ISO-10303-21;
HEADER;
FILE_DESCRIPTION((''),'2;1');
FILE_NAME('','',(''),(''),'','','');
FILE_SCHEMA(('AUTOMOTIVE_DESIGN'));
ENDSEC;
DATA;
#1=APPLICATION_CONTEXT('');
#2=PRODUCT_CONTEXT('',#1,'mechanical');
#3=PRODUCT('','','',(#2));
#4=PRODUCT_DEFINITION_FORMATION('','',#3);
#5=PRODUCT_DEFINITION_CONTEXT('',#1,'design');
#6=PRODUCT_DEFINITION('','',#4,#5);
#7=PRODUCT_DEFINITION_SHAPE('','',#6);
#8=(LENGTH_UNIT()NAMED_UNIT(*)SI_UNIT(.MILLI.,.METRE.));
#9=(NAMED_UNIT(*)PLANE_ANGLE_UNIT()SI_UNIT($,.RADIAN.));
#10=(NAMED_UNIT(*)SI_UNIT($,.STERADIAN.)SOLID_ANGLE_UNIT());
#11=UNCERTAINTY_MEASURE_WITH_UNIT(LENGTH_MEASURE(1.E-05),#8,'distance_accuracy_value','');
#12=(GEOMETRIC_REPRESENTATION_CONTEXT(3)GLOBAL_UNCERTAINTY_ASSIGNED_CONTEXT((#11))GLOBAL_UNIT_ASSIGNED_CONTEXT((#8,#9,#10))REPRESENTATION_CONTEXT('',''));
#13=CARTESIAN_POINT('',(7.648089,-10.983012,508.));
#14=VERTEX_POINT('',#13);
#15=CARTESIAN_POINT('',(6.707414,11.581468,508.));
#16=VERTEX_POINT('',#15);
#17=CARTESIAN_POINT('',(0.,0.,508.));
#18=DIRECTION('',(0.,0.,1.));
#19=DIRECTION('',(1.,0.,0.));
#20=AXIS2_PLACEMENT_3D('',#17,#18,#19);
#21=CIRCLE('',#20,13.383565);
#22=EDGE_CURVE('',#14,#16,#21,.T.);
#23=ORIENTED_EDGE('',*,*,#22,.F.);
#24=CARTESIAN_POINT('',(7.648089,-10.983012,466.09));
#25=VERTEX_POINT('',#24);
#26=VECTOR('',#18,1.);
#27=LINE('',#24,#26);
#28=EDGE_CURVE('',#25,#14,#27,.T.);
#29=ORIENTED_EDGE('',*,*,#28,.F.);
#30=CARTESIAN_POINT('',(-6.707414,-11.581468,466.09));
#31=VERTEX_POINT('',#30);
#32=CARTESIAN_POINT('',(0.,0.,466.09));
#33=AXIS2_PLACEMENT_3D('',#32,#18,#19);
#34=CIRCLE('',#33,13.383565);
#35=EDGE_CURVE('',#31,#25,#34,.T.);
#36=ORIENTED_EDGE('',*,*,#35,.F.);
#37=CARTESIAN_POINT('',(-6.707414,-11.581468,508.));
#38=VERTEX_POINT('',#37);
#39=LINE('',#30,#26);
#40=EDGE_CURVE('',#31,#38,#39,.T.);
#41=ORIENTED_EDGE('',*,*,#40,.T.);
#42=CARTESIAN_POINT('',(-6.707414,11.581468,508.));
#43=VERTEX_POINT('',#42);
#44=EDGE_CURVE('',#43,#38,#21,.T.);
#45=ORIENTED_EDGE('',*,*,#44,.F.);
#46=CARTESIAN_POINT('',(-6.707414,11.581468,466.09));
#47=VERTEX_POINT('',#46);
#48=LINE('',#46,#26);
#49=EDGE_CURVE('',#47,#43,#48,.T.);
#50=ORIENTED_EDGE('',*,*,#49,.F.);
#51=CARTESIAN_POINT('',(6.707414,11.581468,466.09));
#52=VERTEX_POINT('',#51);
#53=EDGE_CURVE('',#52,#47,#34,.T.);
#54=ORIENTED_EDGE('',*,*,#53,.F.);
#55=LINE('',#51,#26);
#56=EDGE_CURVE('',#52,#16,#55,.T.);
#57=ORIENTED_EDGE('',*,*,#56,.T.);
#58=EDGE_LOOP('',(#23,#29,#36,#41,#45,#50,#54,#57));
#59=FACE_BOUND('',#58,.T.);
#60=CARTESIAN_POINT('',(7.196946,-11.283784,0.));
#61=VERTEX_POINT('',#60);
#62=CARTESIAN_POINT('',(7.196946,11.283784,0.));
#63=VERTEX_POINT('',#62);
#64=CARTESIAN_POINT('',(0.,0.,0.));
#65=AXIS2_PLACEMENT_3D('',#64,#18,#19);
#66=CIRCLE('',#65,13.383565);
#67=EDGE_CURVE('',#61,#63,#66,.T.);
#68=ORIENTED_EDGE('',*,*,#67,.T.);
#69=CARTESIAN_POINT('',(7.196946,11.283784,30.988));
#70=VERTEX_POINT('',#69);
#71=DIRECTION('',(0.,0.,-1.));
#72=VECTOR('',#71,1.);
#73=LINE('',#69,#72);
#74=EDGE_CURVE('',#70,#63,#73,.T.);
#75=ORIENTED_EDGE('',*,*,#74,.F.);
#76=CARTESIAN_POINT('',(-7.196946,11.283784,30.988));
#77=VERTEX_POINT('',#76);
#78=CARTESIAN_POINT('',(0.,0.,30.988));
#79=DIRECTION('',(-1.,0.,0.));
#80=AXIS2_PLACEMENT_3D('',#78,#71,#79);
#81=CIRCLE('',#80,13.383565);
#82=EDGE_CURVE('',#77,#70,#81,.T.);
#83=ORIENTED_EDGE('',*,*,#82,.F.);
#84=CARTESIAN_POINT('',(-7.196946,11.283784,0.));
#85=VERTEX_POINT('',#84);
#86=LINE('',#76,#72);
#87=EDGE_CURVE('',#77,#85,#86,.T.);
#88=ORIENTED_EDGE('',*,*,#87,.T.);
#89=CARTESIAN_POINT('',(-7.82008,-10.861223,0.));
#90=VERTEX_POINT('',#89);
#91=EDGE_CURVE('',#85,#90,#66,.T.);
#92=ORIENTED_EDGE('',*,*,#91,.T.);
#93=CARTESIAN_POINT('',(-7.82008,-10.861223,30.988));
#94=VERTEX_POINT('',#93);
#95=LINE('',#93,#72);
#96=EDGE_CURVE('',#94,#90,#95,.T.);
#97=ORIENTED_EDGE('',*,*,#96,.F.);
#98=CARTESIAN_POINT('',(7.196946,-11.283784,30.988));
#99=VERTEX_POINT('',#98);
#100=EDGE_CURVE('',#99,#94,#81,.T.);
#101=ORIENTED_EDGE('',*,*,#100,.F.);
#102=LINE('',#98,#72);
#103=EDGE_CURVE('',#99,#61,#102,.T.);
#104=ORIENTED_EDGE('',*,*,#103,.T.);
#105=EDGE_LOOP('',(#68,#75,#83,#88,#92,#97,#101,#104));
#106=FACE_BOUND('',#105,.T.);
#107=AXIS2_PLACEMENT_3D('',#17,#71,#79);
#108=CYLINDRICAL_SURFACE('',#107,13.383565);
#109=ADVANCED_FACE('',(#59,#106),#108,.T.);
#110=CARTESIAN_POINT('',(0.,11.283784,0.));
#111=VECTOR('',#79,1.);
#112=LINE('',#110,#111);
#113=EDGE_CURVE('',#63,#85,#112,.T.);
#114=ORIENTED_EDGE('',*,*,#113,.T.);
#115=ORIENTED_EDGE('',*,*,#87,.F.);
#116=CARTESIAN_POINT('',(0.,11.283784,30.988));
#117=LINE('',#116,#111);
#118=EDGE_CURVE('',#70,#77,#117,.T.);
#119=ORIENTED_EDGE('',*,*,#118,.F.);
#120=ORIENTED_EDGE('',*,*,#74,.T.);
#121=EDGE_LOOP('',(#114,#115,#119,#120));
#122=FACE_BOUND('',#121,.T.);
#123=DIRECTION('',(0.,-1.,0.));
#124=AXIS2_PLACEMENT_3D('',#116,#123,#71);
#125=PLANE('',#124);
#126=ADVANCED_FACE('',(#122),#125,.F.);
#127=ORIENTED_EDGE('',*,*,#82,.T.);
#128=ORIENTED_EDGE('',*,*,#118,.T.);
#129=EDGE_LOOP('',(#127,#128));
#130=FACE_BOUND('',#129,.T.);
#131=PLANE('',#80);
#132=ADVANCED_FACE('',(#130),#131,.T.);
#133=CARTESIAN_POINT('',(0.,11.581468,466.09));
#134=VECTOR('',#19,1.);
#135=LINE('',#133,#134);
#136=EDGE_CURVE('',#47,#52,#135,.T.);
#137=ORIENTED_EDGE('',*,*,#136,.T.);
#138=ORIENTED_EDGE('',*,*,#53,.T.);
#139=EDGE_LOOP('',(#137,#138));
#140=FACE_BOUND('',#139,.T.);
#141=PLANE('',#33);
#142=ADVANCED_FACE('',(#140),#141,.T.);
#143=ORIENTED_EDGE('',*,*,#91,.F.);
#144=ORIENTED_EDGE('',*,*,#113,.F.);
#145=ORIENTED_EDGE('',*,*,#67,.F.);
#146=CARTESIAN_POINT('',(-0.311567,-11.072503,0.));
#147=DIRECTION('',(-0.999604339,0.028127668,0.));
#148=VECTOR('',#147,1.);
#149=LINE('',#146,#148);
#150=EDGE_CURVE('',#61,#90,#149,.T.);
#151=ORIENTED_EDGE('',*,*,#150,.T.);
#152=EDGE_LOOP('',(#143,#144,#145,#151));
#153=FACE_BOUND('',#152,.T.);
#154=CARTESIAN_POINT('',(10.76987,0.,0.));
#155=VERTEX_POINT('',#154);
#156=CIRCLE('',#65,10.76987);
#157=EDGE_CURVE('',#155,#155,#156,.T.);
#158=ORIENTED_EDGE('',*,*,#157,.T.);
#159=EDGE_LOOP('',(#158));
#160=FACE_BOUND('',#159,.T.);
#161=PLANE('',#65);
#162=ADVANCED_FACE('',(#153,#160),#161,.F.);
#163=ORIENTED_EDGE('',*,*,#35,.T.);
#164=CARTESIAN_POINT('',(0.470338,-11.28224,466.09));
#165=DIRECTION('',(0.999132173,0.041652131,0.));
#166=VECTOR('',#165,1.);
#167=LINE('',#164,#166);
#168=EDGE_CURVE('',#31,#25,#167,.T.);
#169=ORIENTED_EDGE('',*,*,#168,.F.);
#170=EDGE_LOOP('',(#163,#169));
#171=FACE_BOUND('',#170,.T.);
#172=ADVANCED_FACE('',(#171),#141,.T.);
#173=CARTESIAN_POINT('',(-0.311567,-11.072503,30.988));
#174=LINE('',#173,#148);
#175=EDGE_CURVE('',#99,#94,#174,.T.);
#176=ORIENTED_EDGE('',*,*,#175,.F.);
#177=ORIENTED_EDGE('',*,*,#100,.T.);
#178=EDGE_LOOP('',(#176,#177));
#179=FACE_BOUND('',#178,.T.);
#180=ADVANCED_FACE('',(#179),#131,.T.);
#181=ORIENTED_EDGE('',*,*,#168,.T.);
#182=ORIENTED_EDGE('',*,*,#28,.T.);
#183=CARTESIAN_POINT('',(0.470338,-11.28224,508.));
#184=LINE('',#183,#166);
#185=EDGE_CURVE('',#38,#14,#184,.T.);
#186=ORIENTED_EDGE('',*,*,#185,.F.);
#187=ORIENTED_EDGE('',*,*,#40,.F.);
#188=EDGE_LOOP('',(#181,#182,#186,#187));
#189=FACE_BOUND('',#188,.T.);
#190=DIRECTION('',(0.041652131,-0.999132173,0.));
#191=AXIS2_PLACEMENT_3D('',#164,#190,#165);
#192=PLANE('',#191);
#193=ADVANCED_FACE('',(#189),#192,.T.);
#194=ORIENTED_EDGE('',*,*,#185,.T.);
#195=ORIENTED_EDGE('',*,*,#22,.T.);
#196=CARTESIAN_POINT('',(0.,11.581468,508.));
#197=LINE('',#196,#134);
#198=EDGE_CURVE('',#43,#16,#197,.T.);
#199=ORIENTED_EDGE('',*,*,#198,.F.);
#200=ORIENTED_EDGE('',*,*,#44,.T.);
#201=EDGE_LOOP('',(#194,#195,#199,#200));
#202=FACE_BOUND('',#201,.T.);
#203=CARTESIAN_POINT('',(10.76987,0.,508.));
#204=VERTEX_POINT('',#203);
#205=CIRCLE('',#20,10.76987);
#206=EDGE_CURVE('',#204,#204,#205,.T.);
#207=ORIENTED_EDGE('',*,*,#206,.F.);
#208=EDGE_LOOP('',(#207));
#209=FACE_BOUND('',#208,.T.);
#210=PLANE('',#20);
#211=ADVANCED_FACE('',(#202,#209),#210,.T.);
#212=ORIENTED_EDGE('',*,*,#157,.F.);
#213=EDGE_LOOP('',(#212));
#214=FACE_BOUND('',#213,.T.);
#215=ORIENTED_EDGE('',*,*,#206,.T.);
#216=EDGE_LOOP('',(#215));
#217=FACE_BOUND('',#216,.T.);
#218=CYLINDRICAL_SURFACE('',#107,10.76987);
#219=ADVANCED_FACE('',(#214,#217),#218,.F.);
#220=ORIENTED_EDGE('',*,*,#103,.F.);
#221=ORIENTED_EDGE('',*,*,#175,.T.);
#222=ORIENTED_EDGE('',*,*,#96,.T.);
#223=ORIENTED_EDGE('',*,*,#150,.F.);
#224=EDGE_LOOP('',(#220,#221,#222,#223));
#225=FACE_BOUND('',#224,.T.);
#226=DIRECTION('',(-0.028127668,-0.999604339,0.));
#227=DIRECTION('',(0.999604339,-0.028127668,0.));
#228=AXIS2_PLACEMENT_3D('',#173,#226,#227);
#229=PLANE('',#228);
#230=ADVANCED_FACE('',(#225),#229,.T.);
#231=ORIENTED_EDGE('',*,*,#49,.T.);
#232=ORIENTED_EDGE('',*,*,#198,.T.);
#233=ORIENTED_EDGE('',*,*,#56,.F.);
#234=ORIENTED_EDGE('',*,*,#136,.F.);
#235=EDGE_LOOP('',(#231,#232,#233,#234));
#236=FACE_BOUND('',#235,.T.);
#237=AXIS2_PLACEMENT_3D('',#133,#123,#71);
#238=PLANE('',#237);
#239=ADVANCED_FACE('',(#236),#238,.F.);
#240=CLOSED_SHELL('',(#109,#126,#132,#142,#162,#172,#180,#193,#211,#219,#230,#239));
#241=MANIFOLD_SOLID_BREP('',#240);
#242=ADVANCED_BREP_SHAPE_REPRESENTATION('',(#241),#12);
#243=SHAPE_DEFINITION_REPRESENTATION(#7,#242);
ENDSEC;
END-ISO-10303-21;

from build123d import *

# Parameters (mm, degrees)
SKETCH2_R           = 13.383565171
SKETCH2_R_2         = 10.769869961
BOSS_EXTRUDE1_DEPTH = 508
CUT_EXTRUDE1_START  = -41.91
CUT_EXTRUDE1_DEPTH  = 41.91
CUT_EXTRUDE2_DEPTH  = 30.988


with BuildPart() as part:
    # Sketch2 → Boss-Extrude1 (new body)
    with BuildSketch(Plane.XY):
        Circle(SKETCH2_R)
        Circle(SKETCH2_R_2, mode=Mode.SUBTRACT)
    extrude(amount=BOSS_EXTRUDE1_DEPTH)

    # Sketch3 → Cut-Extrude1 (cut)
    with BuildSketch(Plane.XY.offset(508).offset(CUT_EXTRUDE1_START)):
        with BuildLine():
            ThreePointArc((6.70741417, 11.581468466), (0, 13.383565171), (-6.70741417, 11.581468466))
            Line((-6.70741417, 11.581468466), (6.70741417, 11.581468466))
        make_face()
        with BuildLine():
            Line((7.648089194, -10.983011807), (-6.70741417, -11.581468466))
            ThreePointArc((-6.70741417, -11.581468466), (0.557454006, -13.371950557), (7.648089194, -10.983011807))
        make_face()
    extrude(amount=CUT_EXTRUDE1_DEPTH, mode=Mode.SUBTRACT)

    # Sketch4 → Cut-Extrude2 (cut)
    with BuildSketch(Plane(origin=(0, 0, 0), x_dir=(-1, 0, 0), z_dir=(0, 0, -1))):
        with BuildLine():
            ThreePointArc((7.196946438, 11.28378388), (0, 13.383565171), (-7.196946438, 11.28378388))
            Line((-7.196946438, 11.28378388), (7.196946438, 11.28378388))
        make_face()
        with BuildLine():
            Line((7.820080378, -10.861222747), (-7.196946438, -11.28378388))
            ThreePointArc((-7.196946438, -11.28378388), (0.376448475, -13.378269814), (7.820080378, -10.861222747))
        make_face()
    extrude(amount=-CUT_EXTRUDE2_DEPTH, mode=Mode.SUBTRACT)


solid = part.part
